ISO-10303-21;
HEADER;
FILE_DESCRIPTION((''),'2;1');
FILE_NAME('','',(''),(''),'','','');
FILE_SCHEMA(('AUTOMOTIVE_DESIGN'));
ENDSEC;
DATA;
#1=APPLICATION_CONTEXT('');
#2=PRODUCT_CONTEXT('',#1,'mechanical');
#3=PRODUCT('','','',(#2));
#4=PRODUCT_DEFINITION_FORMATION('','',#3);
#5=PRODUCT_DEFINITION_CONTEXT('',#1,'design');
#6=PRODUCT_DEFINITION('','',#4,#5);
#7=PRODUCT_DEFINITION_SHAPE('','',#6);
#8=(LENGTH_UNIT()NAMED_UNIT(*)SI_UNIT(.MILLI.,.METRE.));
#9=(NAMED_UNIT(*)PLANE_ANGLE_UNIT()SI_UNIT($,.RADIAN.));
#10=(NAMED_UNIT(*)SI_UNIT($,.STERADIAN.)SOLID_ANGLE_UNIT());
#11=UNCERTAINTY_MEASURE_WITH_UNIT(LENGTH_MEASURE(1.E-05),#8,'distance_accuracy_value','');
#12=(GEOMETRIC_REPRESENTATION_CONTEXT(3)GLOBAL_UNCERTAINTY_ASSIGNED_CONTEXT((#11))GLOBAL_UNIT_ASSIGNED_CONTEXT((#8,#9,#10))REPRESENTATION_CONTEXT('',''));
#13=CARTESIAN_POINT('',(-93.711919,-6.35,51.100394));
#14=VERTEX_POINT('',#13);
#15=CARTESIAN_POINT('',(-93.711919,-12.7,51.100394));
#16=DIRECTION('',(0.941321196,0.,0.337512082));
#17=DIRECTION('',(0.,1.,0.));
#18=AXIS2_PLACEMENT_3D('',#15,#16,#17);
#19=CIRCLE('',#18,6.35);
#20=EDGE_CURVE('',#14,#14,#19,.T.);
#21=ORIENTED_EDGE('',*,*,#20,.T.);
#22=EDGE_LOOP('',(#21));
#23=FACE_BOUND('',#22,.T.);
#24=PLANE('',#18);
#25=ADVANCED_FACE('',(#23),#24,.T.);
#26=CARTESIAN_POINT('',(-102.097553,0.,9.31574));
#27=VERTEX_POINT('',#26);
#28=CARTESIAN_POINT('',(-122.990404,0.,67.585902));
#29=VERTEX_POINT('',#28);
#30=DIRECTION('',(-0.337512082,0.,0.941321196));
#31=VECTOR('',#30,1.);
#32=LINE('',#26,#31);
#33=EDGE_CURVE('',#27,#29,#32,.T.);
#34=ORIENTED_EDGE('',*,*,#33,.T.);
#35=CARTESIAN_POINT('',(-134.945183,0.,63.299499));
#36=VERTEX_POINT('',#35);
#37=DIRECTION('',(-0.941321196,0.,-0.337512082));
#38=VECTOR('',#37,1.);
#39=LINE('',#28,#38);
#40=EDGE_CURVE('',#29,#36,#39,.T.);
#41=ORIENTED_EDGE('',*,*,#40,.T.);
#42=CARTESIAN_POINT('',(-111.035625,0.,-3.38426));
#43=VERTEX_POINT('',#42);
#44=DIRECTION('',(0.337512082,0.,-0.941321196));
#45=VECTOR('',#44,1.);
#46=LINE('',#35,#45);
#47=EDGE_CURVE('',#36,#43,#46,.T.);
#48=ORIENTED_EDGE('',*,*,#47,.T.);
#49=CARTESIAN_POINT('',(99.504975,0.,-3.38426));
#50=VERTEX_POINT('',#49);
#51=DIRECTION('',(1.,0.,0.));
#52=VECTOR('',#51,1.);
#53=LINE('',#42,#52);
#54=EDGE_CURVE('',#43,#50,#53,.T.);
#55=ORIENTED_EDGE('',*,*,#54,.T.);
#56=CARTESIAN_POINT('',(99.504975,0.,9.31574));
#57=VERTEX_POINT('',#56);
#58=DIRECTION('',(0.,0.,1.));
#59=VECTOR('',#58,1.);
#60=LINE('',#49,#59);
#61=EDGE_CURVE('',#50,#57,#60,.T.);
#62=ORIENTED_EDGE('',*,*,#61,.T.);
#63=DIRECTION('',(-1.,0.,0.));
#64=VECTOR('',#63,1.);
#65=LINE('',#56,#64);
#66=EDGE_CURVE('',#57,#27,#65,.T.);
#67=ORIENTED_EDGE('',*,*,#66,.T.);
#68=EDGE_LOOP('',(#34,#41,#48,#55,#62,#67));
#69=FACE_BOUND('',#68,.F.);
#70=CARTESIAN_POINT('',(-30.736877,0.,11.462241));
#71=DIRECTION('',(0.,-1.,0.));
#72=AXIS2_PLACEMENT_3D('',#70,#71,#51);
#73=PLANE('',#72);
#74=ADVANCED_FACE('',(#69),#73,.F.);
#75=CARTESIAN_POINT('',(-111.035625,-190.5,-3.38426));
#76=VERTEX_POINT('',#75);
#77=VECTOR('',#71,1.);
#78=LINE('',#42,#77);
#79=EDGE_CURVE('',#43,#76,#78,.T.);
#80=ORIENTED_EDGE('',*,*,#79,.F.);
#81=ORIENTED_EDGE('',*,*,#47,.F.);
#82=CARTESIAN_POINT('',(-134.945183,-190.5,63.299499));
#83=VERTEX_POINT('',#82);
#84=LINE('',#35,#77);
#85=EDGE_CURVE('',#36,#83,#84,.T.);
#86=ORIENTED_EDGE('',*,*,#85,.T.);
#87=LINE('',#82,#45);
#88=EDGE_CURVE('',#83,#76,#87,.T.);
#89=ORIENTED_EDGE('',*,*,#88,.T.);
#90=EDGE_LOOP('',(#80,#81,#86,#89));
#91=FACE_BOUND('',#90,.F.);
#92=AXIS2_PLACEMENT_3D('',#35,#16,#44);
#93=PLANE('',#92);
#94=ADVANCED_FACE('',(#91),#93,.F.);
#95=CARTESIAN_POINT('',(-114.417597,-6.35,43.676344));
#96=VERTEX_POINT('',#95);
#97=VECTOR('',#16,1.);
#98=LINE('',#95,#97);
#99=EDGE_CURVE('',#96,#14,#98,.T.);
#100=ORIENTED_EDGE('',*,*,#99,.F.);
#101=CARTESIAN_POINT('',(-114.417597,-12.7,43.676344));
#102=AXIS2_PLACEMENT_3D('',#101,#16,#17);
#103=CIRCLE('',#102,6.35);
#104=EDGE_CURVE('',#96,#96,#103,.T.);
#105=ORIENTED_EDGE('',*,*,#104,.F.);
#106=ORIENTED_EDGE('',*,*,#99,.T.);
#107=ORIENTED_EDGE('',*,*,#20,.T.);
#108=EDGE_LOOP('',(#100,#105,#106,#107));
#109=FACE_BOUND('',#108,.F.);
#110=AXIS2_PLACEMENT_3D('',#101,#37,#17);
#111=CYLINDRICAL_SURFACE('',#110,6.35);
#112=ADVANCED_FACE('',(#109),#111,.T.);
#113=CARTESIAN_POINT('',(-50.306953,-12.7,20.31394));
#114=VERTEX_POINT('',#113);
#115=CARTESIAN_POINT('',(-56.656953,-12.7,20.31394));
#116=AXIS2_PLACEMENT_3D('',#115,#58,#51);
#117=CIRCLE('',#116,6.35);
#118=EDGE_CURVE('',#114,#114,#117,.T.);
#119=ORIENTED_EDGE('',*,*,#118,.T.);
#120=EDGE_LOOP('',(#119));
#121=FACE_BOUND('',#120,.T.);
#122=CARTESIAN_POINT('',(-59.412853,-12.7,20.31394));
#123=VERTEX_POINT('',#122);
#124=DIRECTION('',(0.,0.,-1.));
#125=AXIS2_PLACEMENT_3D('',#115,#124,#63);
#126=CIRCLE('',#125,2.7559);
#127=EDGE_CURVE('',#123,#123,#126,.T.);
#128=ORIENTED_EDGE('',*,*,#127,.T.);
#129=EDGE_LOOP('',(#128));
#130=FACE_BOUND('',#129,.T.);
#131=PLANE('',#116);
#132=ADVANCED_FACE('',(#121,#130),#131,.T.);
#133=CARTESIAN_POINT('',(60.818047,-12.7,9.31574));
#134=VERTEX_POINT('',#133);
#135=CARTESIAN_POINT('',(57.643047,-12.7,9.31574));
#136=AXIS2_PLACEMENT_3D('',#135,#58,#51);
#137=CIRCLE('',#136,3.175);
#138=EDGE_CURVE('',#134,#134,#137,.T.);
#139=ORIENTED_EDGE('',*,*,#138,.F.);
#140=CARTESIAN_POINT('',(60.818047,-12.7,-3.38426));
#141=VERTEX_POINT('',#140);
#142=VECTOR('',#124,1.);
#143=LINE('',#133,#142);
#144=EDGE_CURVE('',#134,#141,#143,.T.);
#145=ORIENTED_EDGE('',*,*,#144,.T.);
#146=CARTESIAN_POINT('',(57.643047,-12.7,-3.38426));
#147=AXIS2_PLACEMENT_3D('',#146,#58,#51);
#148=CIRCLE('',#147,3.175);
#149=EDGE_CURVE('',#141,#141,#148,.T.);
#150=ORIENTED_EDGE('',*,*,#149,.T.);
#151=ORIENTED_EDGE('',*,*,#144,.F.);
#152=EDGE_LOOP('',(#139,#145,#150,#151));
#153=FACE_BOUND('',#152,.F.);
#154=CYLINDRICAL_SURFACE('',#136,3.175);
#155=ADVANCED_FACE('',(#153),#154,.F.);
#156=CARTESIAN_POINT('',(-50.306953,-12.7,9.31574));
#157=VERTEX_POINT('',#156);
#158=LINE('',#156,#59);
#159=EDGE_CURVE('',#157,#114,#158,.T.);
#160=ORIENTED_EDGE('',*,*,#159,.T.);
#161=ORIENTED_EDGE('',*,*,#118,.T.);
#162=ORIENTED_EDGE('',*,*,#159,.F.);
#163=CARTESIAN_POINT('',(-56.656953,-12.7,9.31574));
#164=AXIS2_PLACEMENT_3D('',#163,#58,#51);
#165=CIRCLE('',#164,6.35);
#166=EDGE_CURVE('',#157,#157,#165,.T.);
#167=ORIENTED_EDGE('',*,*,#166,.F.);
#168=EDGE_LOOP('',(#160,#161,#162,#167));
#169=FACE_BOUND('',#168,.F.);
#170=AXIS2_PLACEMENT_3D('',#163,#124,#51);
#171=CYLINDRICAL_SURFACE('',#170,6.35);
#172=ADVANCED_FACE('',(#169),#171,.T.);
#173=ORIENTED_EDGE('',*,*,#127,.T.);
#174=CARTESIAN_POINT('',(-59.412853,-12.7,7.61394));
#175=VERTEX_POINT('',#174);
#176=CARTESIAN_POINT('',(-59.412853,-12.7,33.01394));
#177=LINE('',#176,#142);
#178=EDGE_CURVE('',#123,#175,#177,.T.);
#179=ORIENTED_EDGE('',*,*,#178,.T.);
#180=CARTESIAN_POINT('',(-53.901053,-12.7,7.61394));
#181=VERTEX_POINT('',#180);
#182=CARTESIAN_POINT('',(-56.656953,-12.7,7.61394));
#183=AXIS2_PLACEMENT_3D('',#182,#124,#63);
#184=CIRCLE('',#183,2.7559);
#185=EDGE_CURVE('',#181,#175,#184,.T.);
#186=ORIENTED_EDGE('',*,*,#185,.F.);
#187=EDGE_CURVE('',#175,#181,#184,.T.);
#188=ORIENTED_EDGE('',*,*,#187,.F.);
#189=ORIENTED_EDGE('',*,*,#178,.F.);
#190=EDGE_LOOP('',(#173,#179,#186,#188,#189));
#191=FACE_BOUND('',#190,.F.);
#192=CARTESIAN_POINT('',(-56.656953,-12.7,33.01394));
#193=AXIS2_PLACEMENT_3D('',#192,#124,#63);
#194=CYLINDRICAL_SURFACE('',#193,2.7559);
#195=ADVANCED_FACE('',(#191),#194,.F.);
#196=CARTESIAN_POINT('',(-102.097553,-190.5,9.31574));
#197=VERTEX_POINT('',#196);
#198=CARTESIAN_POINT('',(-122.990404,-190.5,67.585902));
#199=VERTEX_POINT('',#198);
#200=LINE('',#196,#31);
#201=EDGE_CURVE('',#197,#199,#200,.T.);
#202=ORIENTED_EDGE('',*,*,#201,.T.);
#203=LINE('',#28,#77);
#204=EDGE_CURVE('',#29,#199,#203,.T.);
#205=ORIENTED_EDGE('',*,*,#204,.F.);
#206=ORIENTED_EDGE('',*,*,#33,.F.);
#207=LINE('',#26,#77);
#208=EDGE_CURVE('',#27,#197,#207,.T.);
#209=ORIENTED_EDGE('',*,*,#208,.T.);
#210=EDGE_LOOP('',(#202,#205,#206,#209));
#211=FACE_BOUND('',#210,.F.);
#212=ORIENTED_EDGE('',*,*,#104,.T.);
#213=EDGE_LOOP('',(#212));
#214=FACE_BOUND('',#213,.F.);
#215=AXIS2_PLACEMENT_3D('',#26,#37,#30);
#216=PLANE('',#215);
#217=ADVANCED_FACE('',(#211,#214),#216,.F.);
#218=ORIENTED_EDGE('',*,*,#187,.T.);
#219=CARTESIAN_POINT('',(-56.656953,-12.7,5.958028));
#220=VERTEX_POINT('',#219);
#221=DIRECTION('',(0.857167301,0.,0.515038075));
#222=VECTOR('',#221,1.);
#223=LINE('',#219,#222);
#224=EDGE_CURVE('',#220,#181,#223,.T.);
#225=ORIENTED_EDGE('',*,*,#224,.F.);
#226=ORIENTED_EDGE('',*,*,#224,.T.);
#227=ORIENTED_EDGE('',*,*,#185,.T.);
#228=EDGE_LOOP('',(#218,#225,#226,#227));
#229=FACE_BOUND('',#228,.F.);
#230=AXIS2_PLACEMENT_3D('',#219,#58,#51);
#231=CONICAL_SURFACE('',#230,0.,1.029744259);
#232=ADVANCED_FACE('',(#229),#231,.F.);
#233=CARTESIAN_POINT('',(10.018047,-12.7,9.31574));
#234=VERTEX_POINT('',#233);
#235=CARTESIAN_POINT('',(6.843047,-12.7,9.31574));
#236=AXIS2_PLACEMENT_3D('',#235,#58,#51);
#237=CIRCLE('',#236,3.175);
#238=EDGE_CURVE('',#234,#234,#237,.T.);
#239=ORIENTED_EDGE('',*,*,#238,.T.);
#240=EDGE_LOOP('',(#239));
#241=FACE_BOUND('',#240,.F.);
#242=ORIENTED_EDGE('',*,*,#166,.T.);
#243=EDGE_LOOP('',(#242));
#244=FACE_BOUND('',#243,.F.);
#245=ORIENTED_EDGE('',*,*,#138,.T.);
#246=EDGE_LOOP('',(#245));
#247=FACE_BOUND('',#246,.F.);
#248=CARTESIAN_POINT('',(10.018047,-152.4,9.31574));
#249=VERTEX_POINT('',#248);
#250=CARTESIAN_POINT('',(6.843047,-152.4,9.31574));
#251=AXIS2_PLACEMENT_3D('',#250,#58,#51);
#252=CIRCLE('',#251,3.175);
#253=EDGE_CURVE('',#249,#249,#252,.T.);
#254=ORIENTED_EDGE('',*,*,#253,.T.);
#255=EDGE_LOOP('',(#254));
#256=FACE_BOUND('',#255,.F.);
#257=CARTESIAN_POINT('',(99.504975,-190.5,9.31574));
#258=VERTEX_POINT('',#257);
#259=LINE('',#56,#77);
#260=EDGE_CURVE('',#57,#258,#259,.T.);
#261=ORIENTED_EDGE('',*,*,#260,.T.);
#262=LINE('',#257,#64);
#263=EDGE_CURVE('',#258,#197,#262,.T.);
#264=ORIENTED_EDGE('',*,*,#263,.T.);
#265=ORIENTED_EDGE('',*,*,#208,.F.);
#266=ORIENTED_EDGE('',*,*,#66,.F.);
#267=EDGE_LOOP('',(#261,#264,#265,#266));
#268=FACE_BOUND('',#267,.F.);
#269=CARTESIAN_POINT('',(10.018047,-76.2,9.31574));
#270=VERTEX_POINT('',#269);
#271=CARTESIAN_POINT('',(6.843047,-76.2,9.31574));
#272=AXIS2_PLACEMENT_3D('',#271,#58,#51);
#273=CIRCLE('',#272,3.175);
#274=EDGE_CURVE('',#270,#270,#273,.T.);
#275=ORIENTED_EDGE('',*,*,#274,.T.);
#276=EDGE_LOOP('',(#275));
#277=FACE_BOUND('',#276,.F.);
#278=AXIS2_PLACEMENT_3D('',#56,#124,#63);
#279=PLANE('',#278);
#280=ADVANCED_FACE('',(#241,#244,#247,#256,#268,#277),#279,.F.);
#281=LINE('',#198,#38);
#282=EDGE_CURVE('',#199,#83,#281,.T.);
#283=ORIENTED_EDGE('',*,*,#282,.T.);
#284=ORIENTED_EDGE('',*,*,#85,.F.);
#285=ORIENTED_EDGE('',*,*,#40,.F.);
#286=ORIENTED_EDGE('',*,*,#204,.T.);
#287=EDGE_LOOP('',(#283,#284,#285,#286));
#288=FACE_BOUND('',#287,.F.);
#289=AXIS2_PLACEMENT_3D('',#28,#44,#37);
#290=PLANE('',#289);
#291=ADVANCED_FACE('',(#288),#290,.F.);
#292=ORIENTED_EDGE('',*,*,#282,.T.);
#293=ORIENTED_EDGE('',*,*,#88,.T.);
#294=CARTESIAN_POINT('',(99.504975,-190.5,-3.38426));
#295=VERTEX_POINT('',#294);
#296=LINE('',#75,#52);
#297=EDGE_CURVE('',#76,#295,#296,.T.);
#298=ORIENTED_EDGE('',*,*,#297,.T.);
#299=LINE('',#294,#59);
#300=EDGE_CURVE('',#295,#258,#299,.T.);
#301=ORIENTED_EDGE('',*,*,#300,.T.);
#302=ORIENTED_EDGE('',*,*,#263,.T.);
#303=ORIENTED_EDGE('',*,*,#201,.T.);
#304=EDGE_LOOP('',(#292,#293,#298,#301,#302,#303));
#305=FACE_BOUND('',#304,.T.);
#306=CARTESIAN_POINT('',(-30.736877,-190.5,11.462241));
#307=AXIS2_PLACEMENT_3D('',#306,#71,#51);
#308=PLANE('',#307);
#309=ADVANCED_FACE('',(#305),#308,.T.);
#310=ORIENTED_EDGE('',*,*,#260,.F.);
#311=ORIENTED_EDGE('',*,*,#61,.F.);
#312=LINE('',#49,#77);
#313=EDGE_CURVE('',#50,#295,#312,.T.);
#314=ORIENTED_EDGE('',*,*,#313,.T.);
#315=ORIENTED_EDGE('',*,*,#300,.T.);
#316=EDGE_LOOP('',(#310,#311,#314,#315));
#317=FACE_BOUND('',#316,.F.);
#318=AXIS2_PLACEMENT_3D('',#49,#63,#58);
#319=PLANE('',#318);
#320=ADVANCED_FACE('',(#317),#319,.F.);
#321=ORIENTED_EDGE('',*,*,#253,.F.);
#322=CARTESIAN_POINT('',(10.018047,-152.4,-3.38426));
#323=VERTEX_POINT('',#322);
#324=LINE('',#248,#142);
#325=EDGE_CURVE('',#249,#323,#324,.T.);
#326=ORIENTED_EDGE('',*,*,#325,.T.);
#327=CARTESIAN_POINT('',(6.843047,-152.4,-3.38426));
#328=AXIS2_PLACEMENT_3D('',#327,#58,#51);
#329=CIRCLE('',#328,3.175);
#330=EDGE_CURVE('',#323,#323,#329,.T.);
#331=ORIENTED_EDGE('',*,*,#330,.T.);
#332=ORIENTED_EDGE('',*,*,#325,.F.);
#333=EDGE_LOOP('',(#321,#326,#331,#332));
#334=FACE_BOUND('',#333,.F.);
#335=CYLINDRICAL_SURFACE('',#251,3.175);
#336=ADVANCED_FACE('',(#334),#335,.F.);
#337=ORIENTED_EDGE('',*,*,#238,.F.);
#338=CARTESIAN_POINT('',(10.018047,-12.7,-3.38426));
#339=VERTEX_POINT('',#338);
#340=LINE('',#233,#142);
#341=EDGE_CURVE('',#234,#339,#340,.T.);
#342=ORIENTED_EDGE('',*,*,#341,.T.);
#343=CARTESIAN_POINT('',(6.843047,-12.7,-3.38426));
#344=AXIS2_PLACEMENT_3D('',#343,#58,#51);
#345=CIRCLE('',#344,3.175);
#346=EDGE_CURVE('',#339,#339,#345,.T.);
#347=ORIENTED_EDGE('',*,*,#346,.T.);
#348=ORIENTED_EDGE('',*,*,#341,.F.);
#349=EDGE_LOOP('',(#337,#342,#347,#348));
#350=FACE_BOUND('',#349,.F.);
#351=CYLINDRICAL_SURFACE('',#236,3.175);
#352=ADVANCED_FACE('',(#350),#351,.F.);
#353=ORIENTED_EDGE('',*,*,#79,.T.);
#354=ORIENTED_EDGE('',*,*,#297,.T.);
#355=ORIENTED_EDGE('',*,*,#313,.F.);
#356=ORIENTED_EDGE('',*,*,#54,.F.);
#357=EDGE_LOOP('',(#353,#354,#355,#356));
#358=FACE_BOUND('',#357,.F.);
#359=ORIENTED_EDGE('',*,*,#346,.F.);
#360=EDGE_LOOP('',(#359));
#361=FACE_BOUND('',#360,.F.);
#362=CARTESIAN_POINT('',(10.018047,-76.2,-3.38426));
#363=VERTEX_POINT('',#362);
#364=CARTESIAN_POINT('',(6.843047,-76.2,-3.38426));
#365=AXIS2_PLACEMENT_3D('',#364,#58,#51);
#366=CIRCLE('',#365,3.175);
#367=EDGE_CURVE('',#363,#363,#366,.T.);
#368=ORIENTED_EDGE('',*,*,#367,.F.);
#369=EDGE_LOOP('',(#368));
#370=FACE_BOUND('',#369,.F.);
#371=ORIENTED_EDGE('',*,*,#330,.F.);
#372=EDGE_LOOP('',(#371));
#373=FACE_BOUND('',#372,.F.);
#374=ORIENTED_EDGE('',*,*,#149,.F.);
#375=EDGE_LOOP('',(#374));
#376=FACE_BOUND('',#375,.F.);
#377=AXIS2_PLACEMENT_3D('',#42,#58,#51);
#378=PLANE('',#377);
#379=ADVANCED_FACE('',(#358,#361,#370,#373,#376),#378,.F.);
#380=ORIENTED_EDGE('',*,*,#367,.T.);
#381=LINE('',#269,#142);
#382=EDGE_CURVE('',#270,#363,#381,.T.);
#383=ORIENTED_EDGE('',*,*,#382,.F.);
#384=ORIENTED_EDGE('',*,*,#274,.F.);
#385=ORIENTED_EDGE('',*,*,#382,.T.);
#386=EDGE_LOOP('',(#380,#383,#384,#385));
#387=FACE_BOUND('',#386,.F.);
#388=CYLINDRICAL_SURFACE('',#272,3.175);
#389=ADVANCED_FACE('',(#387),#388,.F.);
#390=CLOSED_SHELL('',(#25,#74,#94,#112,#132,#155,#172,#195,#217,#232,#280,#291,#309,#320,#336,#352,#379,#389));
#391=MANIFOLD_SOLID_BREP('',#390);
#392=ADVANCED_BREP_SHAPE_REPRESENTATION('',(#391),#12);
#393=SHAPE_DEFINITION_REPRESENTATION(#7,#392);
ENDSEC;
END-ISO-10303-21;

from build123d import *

# Parameters (mm, degrees)
F1_DEPTH = 190.5
F2_R     = 3.175
F3_DEPTH = 12.701
F4_R     = 6.35
F5_DEPTH = 10.9982
F6_R     = 6.35
F7_DEPTH = 21.9964
F9_D     = 5.5118
F9_DEPTH = 12.7
F9_TIP   = 1.65591178


with BuildPart() as f1:
    # F0 (on Front) → F1 (new body)
    with BuildSketch(Plane.XZ):
        Polygon((-134.9451830515, 63.2994985103), (-111.0356246655, -3.3842598282), (99.5049753345, -3.3842598282), (99.5049753345, 9.3157401718), (-102.0975527369, 9.3157401718), (-122.9904038585, 67.5859019499), align=None)
    extrude(amount=F1_DEPTH)

    # F2 (on face) → F3 (cut, through all)
    with BuildSketch(Plane.XY.offset(9.3157401718)):
        with Locations((6.8430472631, -152.4)):
            Circle(F2_R)
        with Locations((6.8430472631, -76.2)):
            Circle(F2_R)
        with Locations((6.8430472631, -12.7)):
            Circle(F2_R)
        with Locations((57.6430472631, -12.7)):
            Circle(F2_R)
    extrude(amount=-F3_DEPTH, mode=Mode.SUBTRACT)

    # F4 (on face) → F5 (join)
    with BuildSketch(Plane.XY.offset(9.3157401718)):
        with Locations((-56.6569527369, -12.7)):
            Circle(F4_R)
    extrude(amount=F5_DEPTH)

    # F6 (on face) → F7 (join)
    with BuildSketch(Plane(origin=(-87.5074922841, 0, -31.375938431), x_dir=(0, 1, 0), z_dir=(0.9413211963, 0, 0.3375120819))):
        with Locations((-12.7, 79.7307893311)):
            Circle(F6_R)
    extrude(amount=F7_DEPTH)

    # F9
    with Locations(Plane.XY.offset(20.3139401718)):
        with Locations((-56.6569527369, -12.7)):
            Hole(F9_D / 2, depth=F9_DEPTH)
            with Locations((0, 0, -(F9_DEPTH + F9_TIP / 2))):  # 118° drill point
                Cone(0, F9_D / 2, F9_TIP, mode=Mode.SUBTRACT)


solid = f1.part
